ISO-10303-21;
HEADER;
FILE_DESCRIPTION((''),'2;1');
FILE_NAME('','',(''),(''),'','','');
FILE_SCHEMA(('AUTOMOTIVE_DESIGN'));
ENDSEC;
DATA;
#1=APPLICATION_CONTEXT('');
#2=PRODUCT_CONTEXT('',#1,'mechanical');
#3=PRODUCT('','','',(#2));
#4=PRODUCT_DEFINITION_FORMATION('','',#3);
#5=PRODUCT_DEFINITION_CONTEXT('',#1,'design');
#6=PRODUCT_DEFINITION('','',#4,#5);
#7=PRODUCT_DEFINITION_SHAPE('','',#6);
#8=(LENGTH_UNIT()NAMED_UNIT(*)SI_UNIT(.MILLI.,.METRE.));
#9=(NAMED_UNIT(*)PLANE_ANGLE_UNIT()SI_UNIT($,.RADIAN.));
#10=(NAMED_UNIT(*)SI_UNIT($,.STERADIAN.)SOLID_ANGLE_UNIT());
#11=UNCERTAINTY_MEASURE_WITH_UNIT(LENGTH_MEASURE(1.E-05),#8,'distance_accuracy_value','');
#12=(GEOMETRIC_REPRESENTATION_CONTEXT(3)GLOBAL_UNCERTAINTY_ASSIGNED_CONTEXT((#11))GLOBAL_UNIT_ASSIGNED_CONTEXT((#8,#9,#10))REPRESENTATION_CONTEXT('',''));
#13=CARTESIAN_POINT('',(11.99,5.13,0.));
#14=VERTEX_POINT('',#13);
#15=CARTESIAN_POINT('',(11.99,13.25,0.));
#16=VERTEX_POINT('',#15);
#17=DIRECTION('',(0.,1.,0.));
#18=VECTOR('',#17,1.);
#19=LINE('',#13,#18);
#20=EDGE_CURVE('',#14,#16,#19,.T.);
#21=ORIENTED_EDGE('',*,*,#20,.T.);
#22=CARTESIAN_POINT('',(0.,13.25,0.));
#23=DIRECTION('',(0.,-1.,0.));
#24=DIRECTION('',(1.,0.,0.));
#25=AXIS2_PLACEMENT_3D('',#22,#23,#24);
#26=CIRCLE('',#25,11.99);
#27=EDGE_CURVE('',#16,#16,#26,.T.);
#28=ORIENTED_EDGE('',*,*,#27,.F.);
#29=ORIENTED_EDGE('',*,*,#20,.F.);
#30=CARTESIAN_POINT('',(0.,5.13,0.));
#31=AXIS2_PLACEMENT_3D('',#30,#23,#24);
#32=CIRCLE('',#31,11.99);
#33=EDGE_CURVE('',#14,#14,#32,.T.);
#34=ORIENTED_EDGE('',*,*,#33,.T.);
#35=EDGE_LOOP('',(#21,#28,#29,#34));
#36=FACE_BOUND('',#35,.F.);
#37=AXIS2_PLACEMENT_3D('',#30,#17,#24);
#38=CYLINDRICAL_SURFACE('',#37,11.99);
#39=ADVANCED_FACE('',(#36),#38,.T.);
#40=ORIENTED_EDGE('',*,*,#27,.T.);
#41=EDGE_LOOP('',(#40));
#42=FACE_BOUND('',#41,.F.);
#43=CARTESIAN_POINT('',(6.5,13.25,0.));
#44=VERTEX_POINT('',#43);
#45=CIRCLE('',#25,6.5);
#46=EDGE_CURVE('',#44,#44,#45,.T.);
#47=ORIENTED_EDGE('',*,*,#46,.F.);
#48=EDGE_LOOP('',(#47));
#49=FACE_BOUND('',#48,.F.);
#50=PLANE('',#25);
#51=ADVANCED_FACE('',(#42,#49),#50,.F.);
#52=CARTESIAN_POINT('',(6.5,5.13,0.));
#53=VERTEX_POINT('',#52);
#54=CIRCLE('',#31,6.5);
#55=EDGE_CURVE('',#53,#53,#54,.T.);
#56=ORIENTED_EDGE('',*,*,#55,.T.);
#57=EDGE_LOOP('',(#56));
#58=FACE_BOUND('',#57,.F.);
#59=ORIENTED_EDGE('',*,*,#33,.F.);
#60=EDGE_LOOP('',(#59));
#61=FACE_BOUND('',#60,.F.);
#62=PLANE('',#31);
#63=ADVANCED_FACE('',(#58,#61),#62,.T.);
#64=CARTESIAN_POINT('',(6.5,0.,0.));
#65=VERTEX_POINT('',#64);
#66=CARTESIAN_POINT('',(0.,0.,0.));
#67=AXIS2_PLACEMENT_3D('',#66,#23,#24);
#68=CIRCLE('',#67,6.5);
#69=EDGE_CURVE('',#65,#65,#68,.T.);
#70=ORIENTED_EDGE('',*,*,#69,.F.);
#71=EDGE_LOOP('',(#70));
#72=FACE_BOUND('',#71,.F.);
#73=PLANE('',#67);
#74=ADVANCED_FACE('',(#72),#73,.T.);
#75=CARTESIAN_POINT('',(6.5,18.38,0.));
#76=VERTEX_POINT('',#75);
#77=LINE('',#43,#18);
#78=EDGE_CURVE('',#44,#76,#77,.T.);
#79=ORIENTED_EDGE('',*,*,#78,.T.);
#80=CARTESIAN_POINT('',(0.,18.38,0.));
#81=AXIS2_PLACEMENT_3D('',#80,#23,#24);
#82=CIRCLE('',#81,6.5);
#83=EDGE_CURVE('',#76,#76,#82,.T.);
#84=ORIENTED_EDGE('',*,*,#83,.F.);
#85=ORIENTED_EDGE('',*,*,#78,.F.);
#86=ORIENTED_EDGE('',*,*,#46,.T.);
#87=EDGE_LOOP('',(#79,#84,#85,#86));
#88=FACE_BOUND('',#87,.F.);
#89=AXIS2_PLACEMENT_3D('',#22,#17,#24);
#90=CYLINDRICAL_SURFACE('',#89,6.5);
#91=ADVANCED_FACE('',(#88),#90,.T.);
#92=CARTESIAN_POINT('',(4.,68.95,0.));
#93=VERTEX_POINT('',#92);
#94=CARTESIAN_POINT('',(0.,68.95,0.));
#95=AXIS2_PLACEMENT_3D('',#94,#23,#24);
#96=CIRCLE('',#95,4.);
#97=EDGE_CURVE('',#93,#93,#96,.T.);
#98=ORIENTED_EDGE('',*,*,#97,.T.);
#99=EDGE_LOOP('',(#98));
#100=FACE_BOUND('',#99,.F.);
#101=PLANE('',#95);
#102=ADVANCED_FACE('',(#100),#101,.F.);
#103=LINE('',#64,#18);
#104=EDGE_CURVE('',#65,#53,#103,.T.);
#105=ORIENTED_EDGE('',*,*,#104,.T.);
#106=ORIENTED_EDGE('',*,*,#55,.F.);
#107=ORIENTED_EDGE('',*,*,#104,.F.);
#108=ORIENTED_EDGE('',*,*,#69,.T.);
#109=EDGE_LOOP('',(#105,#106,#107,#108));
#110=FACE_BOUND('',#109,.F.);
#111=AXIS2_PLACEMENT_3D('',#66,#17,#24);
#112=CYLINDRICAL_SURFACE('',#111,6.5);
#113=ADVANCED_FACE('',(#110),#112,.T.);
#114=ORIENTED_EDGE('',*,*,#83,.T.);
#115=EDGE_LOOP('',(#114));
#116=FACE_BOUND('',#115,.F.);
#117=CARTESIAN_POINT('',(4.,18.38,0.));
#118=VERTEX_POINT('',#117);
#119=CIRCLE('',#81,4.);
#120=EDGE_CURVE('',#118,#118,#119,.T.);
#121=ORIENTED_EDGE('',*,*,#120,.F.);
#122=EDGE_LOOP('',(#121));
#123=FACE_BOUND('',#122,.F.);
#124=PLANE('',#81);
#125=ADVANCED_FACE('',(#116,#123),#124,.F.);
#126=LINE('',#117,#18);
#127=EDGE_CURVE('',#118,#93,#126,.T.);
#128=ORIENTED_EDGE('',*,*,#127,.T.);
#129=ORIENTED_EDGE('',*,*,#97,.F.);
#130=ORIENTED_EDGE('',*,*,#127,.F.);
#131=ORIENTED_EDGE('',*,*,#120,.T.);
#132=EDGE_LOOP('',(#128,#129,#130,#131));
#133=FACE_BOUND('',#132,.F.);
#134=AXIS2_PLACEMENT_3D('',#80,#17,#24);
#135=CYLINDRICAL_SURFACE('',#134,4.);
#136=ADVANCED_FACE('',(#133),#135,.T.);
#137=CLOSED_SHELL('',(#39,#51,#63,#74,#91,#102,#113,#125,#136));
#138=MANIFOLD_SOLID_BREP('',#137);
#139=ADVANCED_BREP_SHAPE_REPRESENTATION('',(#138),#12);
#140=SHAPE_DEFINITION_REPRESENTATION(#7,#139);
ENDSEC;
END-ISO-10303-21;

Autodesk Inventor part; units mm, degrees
ref_plane "YZ Plane" through (0, 0, 0) normal (1, 0, 0) x (0, 1, 0)
ref_plane "XZ Plane" through (0, 0, 0) normal (0, 1, 0) x (-1, 0, 0)
ref_plane "XY Plane" through (0, 0, 0) normal (0, 0, 1) x (1, 0, 0)
sketch "Sketch1" plane through (0, 0, 0) normal (0, 0, 1) x (1, 0, 0)
  line L0 (0, 0) -> (6.5, 0)
  line L1 (6.5, 0) -> (6.5, 5.13)
  line L2 (6.5, 5.13) -> (11.99, 5.13)
  line L3 (11.99, 5.13) -> (11.99, 13.25)
  line L4 (11.99, 13.25) -> (6.5, 13.25)
  line L5 (6.5, 13.25) -> (6.5, 18.38)
  line L6 (6.5, 18.38) -> (4, 18.38)
  line L7 (4, 18.38) -> (4, 68.95)
  line L8 (4, 68.95) -> (0, 68.95)
  line L9 (0, 68.95) -> (0, 0)
  dimension "d0" = 4
  dimension "d2" = 68.95
  dimension "d3" = 8.12
  dimension "d4" = 5.13
  dimension "d5" = 5.13
  dimension "d6" = 11.99
  dimension "d7" = 6.5
revolve "Revolution1" add sketch "Sketch1" angle 360 about axis through (0, 68.95, 0) along (0, -1, 0)
thread "Thread1" size "M8x1.25" class "6g" standard "ANSI Metric M Profile" full length
properties part number "rod and bearing" material "Stainless Steel"
